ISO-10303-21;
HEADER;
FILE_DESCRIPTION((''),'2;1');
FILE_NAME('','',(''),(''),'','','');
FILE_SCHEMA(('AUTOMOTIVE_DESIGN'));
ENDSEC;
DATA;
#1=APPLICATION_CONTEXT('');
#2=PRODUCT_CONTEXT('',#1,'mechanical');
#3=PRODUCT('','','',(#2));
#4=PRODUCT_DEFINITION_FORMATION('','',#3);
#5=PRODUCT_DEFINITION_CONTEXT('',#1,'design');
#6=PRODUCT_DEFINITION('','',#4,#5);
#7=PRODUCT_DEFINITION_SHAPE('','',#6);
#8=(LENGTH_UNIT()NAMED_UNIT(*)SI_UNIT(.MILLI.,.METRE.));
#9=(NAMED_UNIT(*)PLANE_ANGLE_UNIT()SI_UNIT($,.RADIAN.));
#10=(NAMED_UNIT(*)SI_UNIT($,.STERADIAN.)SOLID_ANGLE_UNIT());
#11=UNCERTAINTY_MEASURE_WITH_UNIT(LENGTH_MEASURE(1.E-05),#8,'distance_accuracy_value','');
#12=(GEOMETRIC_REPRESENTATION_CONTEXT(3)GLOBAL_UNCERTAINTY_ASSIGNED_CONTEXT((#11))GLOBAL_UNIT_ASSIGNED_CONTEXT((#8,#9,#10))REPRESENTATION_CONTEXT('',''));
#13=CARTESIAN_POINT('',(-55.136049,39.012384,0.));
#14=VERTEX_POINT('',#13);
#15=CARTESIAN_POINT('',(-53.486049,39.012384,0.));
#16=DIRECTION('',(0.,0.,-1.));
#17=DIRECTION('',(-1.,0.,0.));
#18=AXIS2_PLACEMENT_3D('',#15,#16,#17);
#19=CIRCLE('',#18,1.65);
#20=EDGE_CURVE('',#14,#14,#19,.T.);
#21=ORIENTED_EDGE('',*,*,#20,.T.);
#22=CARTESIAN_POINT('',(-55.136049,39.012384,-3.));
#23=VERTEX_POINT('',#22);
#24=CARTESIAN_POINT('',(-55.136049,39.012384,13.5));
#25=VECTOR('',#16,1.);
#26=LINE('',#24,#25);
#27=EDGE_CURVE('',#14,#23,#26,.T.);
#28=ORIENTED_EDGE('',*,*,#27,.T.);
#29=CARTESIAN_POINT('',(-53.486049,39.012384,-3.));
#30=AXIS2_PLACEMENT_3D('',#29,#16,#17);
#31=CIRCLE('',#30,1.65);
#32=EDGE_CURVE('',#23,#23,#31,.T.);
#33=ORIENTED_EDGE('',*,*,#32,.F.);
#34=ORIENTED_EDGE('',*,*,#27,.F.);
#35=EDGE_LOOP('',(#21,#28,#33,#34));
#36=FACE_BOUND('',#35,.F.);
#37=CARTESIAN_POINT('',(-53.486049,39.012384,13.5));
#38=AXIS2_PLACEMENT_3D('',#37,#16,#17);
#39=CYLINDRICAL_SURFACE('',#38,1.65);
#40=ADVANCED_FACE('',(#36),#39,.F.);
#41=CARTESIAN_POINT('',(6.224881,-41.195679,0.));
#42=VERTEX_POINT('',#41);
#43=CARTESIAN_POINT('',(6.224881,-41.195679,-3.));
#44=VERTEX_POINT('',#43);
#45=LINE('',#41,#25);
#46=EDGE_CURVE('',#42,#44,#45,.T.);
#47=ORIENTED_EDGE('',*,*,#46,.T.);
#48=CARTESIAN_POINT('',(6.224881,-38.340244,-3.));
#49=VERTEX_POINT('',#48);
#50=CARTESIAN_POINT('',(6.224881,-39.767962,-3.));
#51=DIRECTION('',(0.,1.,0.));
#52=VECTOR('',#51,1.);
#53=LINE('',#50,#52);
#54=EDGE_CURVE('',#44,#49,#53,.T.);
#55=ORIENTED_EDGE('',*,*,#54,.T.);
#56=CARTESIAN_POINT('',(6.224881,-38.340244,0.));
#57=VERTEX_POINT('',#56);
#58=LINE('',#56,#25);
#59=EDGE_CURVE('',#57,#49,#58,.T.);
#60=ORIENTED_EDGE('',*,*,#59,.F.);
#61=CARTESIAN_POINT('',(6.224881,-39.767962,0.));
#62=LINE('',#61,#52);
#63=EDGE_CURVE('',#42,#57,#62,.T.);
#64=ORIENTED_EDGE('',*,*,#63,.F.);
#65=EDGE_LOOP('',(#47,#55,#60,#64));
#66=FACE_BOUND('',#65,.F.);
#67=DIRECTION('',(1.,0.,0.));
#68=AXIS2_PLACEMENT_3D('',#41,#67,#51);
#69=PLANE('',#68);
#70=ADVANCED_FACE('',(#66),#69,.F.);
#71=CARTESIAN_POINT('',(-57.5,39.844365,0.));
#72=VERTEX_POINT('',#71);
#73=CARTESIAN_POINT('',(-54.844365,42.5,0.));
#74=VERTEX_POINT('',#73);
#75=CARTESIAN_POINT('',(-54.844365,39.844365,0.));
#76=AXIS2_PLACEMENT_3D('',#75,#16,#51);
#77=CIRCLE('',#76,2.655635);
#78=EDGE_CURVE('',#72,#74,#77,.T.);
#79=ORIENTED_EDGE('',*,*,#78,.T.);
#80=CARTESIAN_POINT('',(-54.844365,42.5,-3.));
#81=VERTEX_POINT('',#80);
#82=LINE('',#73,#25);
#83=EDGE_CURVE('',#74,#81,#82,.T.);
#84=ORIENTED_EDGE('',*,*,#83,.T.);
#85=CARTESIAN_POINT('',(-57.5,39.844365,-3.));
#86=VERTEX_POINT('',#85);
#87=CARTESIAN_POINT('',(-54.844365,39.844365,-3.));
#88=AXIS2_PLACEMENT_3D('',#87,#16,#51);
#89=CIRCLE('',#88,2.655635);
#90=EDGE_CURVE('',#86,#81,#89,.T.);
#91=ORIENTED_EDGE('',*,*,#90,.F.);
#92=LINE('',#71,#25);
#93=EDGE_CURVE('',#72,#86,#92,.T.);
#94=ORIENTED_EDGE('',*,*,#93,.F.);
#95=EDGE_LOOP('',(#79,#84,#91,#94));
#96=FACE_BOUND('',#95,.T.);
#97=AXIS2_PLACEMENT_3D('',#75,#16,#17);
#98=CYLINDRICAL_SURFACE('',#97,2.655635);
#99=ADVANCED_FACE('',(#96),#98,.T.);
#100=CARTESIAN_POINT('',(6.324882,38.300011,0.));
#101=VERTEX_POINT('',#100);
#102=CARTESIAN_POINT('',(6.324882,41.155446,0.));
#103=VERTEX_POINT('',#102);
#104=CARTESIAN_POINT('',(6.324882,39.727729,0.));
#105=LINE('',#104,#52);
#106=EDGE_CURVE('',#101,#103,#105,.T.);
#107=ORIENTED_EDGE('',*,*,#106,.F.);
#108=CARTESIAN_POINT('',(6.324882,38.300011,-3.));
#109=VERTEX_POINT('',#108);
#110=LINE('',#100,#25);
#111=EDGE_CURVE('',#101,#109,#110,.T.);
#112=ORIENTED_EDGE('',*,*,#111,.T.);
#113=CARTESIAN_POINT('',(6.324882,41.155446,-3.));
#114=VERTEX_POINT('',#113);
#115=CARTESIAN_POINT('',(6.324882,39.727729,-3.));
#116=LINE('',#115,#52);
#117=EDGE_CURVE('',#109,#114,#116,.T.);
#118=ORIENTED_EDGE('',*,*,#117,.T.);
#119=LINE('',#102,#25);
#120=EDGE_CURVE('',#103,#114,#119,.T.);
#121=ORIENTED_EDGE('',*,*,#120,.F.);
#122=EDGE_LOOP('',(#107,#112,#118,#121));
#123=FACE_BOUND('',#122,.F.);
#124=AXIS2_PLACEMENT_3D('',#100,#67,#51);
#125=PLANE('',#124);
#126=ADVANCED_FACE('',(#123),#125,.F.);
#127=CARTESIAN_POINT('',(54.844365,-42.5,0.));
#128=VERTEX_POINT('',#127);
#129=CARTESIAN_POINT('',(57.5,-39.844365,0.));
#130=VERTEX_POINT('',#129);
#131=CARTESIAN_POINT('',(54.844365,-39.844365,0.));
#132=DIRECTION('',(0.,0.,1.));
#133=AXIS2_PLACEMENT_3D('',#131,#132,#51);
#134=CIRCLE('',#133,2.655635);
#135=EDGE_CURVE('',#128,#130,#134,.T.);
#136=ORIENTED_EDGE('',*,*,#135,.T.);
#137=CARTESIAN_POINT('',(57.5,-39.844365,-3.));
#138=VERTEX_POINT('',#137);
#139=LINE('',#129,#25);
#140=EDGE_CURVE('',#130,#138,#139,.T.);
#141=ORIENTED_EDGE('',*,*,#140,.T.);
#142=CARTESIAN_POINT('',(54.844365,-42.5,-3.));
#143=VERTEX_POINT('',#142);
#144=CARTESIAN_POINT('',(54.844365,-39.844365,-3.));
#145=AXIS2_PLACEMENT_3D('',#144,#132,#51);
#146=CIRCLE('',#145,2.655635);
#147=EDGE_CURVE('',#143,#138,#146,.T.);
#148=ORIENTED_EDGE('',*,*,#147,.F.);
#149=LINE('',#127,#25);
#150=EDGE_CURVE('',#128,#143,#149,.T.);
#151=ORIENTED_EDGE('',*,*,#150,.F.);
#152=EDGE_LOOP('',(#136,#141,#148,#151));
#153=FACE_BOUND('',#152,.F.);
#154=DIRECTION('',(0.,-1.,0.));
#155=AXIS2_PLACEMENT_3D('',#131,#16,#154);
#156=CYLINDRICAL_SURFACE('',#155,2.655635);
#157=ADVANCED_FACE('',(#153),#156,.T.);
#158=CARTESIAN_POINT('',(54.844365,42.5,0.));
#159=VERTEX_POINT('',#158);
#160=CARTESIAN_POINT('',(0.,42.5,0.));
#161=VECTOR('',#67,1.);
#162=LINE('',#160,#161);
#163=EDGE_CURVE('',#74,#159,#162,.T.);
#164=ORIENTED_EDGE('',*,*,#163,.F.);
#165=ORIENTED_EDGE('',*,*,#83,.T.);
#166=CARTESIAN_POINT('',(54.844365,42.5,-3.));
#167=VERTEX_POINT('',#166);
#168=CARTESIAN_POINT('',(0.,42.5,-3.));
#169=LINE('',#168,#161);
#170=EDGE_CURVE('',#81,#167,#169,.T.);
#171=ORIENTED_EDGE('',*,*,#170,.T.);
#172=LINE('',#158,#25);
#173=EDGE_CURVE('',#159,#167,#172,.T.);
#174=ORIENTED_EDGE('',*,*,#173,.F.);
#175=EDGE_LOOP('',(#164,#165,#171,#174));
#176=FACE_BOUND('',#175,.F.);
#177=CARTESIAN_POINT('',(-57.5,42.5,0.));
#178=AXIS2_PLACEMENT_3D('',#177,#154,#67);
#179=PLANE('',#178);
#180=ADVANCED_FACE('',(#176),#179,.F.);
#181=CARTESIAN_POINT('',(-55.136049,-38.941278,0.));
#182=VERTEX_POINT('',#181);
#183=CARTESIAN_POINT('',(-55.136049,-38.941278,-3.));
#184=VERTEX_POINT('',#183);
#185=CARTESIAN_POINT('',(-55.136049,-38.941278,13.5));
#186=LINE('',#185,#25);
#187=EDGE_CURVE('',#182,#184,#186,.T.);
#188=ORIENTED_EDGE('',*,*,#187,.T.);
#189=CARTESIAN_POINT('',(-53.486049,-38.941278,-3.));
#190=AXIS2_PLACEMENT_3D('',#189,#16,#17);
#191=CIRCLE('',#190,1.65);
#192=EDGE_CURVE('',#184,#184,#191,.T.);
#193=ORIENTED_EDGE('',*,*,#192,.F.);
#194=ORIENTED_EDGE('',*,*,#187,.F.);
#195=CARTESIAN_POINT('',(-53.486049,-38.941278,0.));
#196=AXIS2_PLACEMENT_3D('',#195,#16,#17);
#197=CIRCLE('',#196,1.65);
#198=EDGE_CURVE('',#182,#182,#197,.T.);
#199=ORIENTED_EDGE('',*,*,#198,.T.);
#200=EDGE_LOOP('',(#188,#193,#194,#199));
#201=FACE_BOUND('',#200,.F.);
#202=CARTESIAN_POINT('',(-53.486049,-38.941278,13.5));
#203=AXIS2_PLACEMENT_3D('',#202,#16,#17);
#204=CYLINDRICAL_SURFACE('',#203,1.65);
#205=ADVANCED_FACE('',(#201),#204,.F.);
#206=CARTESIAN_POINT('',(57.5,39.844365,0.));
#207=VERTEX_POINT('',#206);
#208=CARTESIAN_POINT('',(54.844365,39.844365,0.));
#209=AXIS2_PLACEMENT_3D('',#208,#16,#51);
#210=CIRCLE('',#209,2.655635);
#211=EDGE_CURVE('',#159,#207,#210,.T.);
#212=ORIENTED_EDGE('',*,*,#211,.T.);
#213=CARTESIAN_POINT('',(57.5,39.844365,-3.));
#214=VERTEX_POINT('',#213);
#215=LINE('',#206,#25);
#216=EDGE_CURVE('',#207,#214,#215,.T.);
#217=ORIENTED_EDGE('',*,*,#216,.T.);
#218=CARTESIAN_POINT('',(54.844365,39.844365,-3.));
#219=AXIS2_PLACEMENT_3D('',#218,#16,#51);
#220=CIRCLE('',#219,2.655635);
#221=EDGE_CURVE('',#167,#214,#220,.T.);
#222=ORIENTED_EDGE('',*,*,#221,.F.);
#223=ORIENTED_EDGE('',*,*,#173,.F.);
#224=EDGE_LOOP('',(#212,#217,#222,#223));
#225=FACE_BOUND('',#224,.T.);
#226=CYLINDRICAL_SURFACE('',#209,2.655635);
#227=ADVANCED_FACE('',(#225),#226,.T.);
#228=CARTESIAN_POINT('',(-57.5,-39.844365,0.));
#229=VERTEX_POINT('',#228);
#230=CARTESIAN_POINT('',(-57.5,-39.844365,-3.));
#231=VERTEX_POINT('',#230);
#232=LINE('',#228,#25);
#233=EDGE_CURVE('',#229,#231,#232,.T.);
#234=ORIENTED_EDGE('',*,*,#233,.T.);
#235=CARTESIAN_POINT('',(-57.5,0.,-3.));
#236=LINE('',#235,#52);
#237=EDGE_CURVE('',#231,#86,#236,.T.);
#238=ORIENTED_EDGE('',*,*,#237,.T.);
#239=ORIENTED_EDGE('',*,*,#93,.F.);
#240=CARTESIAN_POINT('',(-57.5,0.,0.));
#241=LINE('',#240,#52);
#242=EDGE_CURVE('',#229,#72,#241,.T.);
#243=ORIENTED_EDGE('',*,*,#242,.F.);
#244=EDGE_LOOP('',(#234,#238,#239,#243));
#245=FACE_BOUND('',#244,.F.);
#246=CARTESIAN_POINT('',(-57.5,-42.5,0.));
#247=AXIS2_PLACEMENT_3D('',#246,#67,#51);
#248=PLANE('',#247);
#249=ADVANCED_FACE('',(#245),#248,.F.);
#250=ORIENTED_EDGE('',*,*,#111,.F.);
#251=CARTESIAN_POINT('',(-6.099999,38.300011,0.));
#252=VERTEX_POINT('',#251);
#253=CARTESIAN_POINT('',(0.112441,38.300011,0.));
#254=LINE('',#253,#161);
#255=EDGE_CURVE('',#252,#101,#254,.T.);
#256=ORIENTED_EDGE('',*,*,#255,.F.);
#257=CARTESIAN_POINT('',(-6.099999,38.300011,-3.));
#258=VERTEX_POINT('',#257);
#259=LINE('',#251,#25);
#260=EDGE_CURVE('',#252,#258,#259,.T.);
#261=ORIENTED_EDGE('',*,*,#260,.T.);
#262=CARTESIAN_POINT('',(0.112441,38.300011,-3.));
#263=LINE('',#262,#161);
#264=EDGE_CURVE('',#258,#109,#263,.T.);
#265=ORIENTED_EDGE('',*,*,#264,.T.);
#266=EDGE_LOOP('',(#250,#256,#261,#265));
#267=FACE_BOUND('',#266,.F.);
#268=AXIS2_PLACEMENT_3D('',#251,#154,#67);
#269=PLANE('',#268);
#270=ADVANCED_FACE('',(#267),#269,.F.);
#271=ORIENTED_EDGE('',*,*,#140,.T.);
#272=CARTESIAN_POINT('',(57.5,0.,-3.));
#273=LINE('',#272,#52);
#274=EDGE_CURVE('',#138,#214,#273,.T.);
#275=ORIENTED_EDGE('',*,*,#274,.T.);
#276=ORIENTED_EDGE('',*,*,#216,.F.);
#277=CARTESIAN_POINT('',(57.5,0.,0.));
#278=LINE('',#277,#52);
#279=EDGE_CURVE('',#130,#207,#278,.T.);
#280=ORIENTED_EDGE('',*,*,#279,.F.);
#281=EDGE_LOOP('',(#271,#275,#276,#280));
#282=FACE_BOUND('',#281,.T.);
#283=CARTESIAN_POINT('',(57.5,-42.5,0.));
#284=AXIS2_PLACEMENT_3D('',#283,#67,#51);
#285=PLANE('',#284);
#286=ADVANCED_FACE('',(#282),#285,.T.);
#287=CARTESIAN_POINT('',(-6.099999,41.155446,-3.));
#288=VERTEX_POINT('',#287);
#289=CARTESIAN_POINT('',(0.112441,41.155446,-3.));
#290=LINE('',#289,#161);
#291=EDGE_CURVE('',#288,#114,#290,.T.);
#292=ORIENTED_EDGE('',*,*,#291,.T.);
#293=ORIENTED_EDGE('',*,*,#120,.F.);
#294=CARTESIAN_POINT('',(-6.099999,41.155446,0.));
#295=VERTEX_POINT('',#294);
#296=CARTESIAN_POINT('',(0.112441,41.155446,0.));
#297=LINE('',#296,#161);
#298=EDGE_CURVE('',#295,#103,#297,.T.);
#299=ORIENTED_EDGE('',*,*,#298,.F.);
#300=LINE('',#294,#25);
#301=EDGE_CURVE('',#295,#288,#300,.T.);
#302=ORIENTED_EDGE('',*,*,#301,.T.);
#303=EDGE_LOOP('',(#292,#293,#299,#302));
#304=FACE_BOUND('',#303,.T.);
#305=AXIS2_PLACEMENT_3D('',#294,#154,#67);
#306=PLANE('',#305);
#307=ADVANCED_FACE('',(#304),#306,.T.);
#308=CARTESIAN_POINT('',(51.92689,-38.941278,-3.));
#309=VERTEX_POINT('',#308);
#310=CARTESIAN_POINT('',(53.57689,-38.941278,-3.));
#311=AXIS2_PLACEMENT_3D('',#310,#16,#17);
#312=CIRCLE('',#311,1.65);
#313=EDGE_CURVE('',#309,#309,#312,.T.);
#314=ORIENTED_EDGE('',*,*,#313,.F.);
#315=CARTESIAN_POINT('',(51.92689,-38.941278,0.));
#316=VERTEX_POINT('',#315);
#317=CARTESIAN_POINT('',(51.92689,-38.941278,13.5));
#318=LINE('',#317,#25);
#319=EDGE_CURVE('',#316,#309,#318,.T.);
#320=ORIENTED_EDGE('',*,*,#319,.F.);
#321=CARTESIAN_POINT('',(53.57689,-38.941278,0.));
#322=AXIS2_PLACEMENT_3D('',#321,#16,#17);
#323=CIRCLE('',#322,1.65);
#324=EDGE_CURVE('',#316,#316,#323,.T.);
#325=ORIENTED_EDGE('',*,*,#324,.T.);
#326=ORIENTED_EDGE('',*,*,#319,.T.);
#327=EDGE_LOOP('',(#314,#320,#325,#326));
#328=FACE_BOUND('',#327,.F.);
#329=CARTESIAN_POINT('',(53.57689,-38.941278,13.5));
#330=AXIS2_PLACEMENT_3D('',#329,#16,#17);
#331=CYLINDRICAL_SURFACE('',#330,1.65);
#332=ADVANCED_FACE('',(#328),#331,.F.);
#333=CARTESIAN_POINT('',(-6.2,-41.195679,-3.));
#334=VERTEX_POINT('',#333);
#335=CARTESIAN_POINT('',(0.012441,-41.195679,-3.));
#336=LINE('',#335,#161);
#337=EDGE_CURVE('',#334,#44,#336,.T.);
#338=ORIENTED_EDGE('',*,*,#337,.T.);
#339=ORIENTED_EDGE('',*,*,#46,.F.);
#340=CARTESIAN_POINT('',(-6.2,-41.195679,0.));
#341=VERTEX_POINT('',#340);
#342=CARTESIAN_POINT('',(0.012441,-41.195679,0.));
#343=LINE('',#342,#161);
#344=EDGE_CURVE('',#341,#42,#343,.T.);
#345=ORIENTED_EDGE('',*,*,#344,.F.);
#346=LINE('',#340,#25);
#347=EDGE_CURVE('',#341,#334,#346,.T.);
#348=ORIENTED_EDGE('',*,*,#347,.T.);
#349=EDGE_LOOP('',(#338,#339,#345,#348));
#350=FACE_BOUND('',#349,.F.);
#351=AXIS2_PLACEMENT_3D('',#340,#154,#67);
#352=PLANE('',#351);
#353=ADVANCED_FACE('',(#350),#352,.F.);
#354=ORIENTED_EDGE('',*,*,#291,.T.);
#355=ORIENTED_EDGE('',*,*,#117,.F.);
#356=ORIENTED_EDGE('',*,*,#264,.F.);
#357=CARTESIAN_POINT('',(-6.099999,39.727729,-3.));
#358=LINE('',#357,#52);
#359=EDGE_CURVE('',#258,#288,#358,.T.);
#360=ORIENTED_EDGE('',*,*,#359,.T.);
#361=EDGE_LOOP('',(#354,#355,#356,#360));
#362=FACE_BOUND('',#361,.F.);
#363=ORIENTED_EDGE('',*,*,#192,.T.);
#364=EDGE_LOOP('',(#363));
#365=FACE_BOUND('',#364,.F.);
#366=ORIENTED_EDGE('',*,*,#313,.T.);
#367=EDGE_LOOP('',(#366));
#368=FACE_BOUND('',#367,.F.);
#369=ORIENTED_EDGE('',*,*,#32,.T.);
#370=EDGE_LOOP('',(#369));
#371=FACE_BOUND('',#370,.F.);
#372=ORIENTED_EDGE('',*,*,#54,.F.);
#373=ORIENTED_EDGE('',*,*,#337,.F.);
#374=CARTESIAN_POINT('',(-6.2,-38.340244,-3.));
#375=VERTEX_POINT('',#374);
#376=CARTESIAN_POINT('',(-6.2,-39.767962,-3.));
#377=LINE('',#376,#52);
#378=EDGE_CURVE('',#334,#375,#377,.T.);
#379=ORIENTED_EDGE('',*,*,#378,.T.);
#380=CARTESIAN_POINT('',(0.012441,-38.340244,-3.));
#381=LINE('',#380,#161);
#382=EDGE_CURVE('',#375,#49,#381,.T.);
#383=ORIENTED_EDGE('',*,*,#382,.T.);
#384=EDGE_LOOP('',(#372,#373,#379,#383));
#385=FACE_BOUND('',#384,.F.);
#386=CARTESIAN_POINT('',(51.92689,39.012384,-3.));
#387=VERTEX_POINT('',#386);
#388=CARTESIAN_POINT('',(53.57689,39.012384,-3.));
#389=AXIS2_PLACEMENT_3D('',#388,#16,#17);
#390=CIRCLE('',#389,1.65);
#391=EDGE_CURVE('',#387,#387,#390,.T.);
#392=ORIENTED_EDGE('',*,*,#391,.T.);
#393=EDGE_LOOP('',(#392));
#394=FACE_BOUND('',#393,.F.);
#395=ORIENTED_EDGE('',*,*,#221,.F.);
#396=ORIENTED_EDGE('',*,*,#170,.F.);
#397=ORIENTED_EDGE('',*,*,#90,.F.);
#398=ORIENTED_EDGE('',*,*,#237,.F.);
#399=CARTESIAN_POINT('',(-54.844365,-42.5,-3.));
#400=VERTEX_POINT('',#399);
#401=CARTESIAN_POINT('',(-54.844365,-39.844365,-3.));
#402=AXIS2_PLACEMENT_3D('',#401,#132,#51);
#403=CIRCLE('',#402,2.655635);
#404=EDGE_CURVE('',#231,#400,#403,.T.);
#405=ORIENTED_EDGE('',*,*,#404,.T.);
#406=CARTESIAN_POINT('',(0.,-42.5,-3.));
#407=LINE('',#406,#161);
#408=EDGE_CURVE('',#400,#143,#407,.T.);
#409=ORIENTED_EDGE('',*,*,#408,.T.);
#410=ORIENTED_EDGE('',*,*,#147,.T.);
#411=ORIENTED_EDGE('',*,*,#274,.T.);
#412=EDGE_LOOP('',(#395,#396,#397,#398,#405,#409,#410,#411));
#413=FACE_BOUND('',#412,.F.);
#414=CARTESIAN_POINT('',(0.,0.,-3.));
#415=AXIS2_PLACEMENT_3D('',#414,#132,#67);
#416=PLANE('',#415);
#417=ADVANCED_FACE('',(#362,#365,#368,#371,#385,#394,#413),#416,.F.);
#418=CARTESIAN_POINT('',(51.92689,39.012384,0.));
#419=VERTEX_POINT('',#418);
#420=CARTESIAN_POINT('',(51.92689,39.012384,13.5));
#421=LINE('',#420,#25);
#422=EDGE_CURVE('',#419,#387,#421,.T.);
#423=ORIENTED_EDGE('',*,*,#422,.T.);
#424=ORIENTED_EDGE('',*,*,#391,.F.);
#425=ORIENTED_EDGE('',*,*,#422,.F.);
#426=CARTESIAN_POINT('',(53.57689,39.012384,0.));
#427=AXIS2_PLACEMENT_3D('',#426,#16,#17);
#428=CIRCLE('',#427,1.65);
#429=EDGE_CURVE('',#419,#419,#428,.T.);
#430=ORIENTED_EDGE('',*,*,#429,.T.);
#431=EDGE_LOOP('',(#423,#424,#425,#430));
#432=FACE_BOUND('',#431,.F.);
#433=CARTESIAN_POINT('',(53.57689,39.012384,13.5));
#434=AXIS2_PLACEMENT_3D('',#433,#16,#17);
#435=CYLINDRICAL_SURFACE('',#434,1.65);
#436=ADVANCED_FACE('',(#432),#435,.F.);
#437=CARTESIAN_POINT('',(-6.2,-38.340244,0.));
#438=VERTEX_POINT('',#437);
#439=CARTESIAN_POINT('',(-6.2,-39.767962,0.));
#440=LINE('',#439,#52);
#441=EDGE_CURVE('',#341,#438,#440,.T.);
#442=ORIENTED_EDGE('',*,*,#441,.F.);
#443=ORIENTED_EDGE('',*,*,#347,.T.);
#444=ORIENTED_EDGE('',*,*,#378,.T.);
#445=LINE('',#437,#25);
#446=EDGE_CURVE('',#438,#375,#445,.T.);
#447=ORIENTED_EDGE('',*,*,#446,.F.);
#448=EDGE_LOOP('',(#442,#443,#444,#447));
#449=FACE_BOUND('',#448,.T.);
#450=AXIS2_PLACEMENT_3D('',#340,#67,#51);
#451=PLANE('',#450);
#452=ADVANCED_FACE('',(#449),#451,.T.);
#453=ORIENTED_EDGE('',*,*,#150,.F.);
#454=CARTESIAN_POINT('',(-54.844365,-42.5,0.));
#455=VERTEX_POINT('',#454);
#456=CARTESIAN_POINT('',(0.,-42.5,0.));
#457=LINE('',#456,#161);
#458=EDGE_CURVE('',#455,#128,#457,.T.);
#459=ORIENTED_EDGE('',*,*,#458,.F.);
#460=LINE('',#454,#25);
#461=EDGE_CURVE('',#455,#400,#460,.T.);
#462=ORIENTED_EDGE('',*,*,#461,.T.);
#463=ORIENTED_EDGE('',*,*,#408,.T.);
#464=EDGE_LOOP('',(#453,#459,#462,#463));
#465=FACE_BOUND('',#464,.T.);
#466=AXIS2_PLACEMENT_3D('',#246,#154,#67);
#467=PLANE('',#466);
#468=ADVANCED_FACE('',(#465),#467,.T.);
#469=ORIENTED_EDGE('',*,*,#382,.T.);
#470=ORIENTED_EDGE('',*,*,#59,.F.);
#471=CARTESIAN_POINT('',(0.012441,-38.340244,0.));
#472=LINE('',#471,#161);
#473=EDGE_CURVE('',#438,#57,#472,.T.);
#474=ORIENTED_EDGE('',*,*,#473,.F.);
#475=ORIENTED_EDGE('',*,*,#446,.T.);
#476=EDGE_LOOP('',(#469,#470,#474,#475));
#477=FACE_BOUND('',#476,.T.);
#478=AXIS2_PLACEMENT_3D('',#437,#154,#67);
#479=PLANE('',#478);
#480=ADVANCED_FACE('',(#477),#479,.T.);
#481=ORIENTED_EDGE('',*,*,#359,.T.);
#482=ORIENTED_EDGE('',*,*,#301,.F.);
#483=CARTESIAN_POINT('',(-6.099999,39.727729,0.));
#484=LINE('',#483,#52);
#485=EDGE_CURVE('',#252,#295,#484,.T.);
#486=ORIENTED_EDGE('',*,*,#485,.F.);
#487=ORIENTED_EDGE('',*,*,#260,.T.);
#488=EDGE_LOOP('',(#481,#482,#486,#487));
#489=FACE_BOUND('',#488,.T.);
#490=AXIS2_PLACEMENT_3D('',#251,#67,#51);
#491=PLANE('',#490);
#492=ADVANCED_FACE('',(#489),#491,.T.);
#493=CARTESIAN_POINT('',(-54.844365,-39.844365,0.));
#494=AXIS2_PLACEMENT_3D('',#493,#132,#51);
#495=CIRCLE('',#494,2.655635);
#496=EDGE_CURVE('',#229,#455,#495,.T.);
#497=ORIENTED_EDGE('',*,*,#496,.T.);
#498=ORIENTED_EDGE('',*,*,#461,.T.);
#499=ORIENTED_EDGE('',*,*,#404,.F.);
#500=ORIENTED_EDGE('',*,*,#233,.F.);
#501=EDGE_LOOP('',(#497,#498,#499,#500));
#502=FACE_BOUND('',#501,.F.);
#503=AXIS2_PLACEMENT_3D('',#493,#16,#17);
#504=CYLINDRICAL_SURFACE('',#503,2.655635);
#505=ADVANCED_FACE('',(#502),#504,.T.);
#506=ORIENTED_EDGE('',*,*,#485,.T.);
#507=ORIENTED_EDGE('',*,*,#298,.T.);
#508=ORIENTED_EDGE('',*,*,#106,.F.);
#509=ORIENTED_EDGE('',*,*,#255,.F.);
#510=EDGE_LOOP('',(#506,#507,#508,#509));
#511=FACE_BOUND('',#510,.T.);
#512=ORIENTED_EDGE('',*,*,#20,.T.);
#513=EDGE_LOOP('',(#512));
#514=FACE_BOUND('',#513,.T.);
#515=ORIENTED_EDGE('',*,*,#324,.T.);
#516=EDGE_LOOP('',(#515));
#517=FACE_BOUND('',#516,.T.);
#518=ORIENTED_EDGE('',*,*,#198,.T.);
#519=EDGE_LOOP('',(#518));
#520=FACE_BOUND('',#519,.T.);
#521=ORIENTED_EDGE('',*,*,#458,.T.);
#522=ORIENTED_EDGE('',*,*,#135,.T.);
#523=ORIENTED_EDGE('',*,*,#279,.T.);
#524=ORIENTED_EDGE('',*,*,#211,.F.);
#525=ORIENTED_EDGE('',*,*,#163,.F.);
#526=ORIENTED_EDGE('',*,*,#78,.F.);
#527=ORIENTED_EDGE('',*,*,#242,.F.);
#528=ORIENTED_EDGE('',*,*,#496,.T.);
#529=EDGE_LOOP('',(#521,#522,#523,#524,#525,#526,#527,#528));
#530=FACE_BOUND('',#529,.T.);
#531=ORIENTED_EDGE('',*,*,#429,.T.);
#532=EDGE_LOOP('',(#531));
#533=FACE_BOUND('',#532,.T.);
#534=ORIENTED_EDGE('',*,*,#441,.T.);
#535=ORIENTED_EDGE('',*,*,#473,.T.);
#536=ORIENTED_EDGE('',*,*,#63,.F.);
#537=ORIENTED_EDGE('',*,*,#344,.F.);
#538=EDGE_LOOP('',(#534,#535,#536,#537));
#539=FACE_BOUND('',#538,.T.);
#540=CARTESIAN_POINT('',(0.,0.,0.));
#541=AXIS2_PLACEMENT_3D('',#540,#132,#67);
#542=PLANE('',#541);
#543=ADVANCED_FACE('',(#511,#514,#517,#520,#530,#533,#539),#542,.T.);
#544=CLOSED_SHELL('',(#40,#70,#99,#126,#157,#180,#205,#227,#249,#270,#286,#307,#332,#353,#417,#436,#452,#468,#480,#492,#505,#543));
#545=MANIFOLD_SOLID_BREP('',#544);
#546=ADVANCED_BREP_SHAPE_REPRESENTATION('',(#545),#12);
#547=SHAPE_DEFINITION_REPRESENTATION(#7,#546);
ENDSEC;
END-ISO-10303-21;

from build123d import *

# Parameters (mm, degrees)
F0_W     = 115
F0_H     = 85
F0_W_2   = 12.42488157
F0_H_2   = 2.8554350138
F1_DEPTH = 3
F2_R     = 2.6556349186
F3_D     = 3.3
F3_DEPTH = 13.5
F3_TIP   = 0.9914200214


with BuildPart() as f1:
    # F0 (on Top) → F1 (new body)
    with BuildSketch(Plane.XY):
        Rectangle(F0_W, F0_H)
        with Locations((0.012440607, -39.7679619491)):
            Rectangle(F0_W_2, F0_H_2, mode=Mode.SUBTRACT)
        with Locations((0.1124413684, 39.7277288139)):
            Rectangle(F0_W_2, F0_H_2, mode=Mode.SUBTRACT)
    extrude(amount=-F1_DEPTH)

    # F2
    f2_edges = [f1.edges().sort_by_distance(p)[0] for p in [
        (57.5, -42.5, -1.5),
        (57.5, 42.5, -1.5),
        (-57.5, -42.5, -1.5),
        (-57.5, 42.5, -1.5),
    ]]
    fillet(f2_edges, radius=F2_R)

    # F3
    with Locations(Plane.XY):
        with Locations((-53.4860491753, -38.9412779514), (-53.4860491753, 39.0123836696), (53.5768903792, -38.9412779514), (53.5768903792, 39.0123836696)):
            Hole(F3_D / 2, depth=F3_DEPTH)
            with Locations((0, 0, -(F3_DEPTH + F3_TIP / 2))):  # 118° drill point
                Cone(0, F3_D / 2, F3_TIP, mode=Mode.SUBTRACT)


solid = f1.part
